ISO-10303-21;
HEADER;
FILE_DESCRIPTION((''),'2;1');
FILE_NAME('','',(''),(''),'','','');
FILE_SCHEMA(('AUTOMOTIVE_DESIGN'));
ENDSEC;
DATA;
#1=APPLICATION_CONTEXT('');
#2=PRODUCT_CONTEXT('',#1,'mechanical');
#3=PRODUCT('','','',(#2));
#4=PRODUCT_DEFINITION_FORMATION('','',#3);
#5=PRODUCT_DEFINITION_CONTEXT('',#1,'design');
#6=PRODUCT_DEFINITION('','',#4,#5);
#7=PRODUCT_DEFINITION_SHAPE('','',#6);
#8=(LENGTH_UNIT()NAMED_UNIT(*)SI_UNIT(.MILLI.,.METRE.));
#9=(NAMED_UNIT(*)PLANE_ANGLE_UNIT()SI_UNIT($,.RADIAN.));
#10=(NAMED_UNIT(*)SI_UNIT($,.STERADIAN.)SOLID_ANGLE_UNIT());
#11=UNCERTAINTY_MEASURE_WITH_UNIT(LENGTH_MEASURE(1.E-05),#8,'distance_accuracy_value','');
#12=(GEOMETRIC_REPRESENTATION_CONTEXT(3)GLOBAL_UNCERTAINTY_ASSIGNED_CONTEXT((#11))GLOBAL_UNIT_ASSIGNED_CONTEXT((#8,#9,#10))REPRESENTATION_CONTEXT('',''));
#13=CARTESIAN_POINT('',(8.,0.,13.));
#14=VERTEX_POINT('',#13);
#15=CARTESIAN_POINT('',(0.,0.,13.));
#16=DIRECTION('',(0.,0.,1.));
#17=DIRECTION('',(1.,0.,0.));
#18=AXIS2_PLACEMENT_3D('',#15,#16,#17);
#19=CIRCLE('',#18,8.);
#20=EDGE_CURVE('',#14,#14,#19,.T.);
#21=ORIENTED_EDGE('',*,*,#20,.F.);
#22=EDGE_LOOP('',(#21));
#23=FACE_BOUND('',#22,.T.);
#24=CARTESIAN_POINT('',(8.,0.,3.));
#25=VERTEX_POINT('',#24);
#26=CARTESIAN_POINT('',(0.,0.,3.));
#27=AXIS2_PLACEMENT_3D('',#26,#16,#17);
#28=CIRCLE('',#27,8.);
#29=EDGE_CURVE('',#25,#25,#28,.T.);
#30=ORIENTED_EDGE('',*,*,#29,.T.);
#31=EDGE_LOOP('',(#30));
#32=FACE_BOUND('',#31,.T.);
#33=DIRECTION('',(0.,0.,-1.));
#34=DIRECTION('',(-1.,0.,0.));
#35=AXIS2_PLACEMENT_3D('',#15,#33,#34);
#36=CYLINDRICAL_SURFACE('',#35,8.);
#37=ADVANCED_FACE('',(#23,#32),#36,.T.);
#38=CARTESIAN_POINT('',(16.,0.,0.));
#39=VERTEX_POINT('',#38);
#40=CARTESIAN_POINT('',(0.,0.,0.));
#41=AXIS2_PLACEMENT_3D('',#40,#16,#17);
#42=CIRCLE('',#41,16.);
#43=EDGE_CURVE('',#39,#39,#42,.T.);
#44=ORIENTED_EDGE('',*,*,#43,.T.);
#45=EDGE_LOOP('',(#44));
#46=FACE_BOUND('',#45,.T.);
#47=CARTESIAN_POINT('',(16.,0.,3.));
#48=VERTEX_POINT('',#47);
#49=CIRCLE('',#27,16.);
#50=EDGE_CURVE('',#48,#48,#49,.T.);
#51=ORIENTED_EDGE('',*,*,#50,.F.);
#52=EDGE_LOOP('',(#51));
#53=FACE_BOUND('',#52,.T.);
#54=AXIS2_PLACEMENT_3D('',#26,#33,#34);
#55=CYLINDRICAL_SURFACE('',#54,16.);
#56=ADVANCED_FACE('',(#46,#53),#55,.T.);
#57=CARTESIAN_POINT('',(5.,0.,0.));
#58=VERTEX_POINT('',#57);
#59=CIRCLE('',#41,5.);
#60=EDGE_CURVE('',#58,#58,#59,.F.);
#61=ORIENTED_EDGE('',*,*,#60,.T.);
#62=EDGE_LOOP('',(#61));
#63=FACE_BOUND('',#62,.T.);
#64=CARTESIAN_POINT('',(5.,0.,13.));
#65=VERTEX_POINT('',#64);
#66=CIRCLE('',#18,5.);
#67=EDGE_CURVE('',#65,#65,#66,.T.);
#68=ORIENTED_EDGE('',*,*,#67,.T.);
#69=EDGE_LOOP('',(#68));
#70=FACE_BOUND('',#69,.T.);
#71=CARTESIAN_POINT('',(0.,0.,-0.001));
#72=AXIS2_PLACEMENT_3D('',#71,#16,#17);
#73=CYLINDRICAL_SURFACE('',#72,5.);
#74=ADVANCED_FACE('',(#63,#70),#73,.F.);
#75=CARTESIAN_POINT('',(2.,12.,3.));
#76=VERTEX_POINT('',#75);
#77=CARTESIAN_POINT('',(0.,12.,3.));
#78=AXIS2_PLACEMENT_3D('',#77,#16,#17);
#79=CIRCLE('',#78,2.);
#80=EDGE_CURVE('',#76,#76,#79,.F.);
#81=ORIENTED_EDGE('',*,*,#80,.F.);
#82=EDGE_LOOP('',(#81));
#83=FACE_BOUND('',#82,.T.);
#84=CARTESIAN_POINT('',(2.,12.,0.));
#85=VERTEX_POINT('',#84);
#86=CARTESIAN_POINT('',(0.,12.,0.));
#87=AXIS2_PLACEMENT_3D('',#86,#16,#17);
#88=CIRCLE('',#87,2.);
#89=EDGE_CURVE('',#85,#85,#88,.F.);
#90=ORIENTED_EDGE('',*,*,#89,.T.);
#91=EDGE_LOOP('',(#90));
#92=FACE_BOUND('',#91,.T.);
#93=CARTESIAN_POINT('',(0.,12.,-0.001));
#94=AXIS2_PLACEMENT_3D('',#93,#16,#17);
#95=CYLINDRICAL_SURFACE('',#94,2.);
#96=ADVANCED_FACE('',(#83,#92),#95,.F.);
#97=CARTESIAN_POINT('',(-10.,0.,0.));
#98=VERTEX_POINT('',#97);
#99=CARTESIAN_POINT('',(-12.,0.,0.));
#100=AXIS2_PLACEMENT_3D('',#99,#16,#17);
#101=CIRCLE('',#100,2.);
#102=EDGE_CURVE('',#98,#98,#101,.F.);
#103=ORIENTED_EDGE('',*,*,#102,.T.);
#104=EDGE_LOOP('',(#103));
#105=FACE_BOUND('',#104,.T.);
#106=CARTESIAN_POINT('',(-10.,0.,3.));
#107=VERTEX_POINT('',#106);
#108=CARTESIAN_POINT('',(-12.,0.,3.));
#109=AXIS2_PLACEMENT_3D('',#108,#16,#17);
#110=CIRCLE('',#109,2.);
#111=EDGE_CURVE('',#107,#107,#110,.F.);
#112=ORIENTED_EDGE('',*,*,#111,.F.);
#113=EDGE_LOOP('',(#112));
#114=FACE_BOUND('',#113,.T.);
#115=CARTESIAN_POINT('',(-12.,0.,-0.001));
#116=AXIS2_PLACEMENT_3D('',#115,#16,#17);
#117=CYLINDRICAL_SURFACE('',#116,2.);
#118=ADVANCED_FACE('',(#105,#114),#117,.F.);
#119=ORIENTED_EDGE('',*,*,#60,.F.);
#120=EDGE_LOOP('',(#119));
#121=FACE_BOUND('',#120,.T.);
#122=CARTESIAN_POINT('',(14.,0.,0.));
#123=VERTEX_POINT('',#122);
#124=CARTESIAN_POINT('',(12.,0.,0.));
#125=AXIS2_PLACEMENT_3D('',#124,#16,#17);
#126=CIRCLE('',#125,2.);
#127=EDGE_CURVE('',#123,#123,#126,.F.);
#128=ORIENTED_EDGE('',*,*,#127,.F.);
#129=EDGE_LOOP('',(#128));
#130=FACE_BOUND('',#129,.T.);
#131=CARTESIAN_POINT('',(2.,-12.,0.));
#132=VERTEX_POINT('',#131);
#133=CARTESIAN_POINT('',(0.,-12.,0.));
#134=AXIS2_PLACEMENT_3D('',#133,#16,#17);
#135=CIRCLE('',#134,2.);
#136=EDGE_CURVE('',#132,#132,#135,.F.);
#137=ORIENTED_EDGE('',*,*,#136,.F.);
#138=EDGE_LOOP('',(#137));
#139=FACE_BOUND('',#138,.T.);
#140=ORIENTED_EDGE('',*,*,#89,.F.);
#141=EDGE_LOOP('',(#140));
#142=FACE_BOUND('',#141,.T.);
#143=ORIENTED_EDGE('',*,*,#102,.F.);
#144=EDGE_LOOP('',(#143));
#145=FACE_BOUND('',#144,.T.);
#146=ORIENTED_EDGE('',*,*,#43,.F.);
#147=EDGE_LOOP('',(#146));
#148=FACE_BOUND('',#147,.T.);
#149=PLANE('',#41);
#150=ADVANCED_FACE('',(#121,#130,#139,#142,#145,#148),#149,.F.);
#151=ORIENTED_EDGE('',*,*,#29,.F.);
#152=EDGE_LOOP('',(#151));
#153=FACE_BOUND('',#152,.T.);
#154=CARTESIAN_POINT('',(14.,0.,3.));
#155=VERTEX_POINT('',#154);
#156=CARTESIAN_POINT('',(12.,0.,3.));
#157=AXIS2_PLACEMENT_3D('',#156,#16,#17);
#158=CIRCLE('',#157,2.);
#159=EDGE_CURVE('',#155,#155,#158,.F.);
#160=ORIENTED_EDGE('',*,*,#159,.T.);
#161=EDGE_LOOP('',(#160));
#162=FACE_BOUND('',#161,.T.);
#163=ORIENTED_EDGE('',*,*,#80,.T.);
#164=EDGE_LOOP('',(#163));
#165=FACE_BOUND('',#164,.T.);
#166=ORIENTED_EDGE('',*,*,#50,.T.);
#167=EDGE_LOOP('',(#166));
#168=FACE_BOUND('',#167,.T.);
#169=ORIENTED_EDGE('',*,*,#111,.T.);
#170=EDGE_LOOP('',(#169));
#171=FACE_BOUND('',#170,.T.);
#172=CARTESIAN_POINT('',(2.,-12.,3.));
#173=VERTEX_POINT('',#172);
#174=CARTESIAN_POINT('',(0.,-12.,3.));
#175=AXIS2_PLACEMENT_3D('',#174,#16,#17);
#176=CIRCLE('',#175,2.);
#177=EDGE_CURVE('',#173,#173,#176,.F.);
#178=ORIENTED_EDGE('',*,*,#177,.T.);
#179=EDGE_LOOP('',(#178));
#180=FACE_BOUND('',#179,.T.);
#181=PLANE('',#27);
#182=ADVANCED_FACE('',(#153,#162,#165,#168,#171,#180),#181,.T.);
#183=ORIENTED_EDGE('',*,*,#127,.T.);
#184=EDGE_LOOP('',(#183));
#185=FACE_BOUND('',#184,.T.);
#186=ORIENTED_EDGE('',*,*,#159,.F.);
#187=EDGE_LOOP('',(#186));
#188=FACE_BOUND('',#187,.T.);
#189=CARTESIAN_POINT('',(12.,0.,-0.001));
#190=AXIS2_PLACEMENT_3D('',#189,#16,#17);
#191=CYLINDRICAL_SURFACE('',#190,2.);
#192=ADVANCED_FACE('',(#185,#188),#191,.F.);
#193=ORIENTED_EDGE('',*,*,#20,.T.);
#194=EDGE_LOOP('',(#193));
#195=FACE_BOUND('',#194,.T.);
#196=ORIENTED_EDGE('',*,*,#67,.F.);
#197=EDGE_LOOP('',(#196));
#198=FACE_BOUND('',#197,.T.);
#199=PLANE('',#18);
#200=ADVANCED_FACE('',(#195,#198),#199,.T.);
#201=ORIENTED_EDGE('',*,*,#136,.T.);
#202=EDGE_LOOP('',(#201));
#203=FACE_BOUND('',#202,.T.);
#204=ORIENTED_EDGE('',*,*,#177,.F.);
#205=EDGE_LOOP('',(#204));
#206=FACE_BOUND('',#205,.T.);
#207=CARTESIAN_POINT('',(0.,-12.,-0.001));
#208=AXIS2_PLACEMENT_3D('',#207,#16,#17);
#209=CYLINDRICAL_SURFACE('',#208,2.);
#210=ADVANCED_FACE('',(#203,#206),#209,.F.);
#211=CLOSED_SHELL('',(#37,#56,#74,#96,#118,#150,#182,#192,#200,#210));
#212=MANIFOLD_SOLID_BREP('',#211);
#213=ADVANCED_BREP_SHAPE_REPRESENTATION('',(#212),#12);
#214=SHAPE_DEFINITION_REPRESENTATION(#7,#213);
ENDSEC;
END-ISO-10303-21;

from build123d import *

# Parameters (mm, degrees)
SKETCH_1_R          = 16
EXTRUDE_1_DEPTH     = 3
SKETCH_2_R          = 8
EXTRUDE_2_DEPTH     = 10
CUT_EXTRUDE_1_REACH = 28.096
SKETCH_3_R          = 5
SKETCH_3_R_2        = 2


with BuildPart() as part:
    # 草图1 → 凸台-拉伸1 (new body)
    with BuildSketch(Plane.XY):
        Circle(SKETCH_1_R)
    extrude(amount=EXTRUDE_1_DEPTH)

    # 草图2 → 凸台-拉伸2 (add)
    with BuildSketch(Plane.XY.offset(3)):
        Circle(SKETCH_2_R)
    extrude(amount=EXTRUDE_2_DEPTH)

    # 草图3 → 切除-拉伸1 (cut, up to next)
    with BuildSketch(Plane.XY.offset(13), mode=Mode.PRIVATE) as cut_extrude_1_sk1:
        Circle(SKETCH_3_R)
    cut_extrude_1_tool1 = extrude(cut_extrude_1_sk1.sketch, amount=-CUT_EXTRUDE_1_REACH, mode=Mode.PRIVATE) & part.part
    # 草图3 → 切除-拉伸1 (cut, up to next)
    with BuildSketch(Plane.XY.offset(13), mode=Mode.PRIVATE) as cut_extrude_1_sk2:
        with Locations((0, 12)):
            Circle(SKETCH_3_R_2)
    cut_extrude_1_tool2 = extrude(cut_extrude_1_sk2.sketch, amount=-CUT_EXTRUDE_1_REACH, mode=Mode.PRIVATE) & part.part
    # 草图3 → 切除-拉伸1 (cut, up to next)
    with BuildSketch(Plane.XY.offset(13), mode=Mode.PRIVATE) as cut_extrude_1_sk3:
        with Locations((12, 0)):
            Circle(SKETCH_3_R_2)
    cut_extrude_1_tool3 = extrude(cut_extrude_1_sk3.sketch, amount=-CUT_EXTRUDE_1_REACH, mode=Mode.PRIVATE) & part.part
    # 草图3 → 切除-拉伸1 (cut, up to next)
    with BuildSketch(Plane.XY.offset(13), mode=Mode.PRIVATE) as cut_extrude_1_sk4:
        with Locations((0, -12)):
            Circle(SKETCH_3_R_2)
    cut_extrude_1_tool4 = extrude(cut_extrude_1_sk4.sketch, amount=-CUT_EXTRUDE_1_REACH, mode=Mode.PRIVATE) & part.part
    # 草图3 → 切除-拉伸1 (cut, up to next)
    with BuildSketch(Plane.XY.offset(13), mode=Mode.PRIVATE) as cut_extrude_1_sk5:
        with Locations((-12, 0)):
            Circle(SKETCH_3_R_2)
    cut_extrude_1_tool5 = extrude(cut_extrude_1_sk5.sketch, amount=-CUT_EXTRUDE_1_REACH, mode=Mode.PRIVATE) & part.part
    add(cut_extrude_1_tool1.solids().sort_by_distance((0, 0, 13))[0], mode=Mode.SUBTRACT)
    add(cut_extrude_1_tool2.solids().sort_by_distance((0, 12, 13))[0], mode=Mode.SUBTRACT)
    add(cut_extrude_1_tool3.solids().sort_by_distance((12, 0, 13))[0], mode=Mode.SUBTRACT)
    add(cut_extrude_1_tool4.solids().sort_by_distance((0, -12, 13))[0], mode=Mode.SUBTRACT)
    add(cut_extrude_1_tool5.solids().sort_by_distance((-12, 0, 13))[0], mode=Mode.SUBTRACT)


solid = part.part
